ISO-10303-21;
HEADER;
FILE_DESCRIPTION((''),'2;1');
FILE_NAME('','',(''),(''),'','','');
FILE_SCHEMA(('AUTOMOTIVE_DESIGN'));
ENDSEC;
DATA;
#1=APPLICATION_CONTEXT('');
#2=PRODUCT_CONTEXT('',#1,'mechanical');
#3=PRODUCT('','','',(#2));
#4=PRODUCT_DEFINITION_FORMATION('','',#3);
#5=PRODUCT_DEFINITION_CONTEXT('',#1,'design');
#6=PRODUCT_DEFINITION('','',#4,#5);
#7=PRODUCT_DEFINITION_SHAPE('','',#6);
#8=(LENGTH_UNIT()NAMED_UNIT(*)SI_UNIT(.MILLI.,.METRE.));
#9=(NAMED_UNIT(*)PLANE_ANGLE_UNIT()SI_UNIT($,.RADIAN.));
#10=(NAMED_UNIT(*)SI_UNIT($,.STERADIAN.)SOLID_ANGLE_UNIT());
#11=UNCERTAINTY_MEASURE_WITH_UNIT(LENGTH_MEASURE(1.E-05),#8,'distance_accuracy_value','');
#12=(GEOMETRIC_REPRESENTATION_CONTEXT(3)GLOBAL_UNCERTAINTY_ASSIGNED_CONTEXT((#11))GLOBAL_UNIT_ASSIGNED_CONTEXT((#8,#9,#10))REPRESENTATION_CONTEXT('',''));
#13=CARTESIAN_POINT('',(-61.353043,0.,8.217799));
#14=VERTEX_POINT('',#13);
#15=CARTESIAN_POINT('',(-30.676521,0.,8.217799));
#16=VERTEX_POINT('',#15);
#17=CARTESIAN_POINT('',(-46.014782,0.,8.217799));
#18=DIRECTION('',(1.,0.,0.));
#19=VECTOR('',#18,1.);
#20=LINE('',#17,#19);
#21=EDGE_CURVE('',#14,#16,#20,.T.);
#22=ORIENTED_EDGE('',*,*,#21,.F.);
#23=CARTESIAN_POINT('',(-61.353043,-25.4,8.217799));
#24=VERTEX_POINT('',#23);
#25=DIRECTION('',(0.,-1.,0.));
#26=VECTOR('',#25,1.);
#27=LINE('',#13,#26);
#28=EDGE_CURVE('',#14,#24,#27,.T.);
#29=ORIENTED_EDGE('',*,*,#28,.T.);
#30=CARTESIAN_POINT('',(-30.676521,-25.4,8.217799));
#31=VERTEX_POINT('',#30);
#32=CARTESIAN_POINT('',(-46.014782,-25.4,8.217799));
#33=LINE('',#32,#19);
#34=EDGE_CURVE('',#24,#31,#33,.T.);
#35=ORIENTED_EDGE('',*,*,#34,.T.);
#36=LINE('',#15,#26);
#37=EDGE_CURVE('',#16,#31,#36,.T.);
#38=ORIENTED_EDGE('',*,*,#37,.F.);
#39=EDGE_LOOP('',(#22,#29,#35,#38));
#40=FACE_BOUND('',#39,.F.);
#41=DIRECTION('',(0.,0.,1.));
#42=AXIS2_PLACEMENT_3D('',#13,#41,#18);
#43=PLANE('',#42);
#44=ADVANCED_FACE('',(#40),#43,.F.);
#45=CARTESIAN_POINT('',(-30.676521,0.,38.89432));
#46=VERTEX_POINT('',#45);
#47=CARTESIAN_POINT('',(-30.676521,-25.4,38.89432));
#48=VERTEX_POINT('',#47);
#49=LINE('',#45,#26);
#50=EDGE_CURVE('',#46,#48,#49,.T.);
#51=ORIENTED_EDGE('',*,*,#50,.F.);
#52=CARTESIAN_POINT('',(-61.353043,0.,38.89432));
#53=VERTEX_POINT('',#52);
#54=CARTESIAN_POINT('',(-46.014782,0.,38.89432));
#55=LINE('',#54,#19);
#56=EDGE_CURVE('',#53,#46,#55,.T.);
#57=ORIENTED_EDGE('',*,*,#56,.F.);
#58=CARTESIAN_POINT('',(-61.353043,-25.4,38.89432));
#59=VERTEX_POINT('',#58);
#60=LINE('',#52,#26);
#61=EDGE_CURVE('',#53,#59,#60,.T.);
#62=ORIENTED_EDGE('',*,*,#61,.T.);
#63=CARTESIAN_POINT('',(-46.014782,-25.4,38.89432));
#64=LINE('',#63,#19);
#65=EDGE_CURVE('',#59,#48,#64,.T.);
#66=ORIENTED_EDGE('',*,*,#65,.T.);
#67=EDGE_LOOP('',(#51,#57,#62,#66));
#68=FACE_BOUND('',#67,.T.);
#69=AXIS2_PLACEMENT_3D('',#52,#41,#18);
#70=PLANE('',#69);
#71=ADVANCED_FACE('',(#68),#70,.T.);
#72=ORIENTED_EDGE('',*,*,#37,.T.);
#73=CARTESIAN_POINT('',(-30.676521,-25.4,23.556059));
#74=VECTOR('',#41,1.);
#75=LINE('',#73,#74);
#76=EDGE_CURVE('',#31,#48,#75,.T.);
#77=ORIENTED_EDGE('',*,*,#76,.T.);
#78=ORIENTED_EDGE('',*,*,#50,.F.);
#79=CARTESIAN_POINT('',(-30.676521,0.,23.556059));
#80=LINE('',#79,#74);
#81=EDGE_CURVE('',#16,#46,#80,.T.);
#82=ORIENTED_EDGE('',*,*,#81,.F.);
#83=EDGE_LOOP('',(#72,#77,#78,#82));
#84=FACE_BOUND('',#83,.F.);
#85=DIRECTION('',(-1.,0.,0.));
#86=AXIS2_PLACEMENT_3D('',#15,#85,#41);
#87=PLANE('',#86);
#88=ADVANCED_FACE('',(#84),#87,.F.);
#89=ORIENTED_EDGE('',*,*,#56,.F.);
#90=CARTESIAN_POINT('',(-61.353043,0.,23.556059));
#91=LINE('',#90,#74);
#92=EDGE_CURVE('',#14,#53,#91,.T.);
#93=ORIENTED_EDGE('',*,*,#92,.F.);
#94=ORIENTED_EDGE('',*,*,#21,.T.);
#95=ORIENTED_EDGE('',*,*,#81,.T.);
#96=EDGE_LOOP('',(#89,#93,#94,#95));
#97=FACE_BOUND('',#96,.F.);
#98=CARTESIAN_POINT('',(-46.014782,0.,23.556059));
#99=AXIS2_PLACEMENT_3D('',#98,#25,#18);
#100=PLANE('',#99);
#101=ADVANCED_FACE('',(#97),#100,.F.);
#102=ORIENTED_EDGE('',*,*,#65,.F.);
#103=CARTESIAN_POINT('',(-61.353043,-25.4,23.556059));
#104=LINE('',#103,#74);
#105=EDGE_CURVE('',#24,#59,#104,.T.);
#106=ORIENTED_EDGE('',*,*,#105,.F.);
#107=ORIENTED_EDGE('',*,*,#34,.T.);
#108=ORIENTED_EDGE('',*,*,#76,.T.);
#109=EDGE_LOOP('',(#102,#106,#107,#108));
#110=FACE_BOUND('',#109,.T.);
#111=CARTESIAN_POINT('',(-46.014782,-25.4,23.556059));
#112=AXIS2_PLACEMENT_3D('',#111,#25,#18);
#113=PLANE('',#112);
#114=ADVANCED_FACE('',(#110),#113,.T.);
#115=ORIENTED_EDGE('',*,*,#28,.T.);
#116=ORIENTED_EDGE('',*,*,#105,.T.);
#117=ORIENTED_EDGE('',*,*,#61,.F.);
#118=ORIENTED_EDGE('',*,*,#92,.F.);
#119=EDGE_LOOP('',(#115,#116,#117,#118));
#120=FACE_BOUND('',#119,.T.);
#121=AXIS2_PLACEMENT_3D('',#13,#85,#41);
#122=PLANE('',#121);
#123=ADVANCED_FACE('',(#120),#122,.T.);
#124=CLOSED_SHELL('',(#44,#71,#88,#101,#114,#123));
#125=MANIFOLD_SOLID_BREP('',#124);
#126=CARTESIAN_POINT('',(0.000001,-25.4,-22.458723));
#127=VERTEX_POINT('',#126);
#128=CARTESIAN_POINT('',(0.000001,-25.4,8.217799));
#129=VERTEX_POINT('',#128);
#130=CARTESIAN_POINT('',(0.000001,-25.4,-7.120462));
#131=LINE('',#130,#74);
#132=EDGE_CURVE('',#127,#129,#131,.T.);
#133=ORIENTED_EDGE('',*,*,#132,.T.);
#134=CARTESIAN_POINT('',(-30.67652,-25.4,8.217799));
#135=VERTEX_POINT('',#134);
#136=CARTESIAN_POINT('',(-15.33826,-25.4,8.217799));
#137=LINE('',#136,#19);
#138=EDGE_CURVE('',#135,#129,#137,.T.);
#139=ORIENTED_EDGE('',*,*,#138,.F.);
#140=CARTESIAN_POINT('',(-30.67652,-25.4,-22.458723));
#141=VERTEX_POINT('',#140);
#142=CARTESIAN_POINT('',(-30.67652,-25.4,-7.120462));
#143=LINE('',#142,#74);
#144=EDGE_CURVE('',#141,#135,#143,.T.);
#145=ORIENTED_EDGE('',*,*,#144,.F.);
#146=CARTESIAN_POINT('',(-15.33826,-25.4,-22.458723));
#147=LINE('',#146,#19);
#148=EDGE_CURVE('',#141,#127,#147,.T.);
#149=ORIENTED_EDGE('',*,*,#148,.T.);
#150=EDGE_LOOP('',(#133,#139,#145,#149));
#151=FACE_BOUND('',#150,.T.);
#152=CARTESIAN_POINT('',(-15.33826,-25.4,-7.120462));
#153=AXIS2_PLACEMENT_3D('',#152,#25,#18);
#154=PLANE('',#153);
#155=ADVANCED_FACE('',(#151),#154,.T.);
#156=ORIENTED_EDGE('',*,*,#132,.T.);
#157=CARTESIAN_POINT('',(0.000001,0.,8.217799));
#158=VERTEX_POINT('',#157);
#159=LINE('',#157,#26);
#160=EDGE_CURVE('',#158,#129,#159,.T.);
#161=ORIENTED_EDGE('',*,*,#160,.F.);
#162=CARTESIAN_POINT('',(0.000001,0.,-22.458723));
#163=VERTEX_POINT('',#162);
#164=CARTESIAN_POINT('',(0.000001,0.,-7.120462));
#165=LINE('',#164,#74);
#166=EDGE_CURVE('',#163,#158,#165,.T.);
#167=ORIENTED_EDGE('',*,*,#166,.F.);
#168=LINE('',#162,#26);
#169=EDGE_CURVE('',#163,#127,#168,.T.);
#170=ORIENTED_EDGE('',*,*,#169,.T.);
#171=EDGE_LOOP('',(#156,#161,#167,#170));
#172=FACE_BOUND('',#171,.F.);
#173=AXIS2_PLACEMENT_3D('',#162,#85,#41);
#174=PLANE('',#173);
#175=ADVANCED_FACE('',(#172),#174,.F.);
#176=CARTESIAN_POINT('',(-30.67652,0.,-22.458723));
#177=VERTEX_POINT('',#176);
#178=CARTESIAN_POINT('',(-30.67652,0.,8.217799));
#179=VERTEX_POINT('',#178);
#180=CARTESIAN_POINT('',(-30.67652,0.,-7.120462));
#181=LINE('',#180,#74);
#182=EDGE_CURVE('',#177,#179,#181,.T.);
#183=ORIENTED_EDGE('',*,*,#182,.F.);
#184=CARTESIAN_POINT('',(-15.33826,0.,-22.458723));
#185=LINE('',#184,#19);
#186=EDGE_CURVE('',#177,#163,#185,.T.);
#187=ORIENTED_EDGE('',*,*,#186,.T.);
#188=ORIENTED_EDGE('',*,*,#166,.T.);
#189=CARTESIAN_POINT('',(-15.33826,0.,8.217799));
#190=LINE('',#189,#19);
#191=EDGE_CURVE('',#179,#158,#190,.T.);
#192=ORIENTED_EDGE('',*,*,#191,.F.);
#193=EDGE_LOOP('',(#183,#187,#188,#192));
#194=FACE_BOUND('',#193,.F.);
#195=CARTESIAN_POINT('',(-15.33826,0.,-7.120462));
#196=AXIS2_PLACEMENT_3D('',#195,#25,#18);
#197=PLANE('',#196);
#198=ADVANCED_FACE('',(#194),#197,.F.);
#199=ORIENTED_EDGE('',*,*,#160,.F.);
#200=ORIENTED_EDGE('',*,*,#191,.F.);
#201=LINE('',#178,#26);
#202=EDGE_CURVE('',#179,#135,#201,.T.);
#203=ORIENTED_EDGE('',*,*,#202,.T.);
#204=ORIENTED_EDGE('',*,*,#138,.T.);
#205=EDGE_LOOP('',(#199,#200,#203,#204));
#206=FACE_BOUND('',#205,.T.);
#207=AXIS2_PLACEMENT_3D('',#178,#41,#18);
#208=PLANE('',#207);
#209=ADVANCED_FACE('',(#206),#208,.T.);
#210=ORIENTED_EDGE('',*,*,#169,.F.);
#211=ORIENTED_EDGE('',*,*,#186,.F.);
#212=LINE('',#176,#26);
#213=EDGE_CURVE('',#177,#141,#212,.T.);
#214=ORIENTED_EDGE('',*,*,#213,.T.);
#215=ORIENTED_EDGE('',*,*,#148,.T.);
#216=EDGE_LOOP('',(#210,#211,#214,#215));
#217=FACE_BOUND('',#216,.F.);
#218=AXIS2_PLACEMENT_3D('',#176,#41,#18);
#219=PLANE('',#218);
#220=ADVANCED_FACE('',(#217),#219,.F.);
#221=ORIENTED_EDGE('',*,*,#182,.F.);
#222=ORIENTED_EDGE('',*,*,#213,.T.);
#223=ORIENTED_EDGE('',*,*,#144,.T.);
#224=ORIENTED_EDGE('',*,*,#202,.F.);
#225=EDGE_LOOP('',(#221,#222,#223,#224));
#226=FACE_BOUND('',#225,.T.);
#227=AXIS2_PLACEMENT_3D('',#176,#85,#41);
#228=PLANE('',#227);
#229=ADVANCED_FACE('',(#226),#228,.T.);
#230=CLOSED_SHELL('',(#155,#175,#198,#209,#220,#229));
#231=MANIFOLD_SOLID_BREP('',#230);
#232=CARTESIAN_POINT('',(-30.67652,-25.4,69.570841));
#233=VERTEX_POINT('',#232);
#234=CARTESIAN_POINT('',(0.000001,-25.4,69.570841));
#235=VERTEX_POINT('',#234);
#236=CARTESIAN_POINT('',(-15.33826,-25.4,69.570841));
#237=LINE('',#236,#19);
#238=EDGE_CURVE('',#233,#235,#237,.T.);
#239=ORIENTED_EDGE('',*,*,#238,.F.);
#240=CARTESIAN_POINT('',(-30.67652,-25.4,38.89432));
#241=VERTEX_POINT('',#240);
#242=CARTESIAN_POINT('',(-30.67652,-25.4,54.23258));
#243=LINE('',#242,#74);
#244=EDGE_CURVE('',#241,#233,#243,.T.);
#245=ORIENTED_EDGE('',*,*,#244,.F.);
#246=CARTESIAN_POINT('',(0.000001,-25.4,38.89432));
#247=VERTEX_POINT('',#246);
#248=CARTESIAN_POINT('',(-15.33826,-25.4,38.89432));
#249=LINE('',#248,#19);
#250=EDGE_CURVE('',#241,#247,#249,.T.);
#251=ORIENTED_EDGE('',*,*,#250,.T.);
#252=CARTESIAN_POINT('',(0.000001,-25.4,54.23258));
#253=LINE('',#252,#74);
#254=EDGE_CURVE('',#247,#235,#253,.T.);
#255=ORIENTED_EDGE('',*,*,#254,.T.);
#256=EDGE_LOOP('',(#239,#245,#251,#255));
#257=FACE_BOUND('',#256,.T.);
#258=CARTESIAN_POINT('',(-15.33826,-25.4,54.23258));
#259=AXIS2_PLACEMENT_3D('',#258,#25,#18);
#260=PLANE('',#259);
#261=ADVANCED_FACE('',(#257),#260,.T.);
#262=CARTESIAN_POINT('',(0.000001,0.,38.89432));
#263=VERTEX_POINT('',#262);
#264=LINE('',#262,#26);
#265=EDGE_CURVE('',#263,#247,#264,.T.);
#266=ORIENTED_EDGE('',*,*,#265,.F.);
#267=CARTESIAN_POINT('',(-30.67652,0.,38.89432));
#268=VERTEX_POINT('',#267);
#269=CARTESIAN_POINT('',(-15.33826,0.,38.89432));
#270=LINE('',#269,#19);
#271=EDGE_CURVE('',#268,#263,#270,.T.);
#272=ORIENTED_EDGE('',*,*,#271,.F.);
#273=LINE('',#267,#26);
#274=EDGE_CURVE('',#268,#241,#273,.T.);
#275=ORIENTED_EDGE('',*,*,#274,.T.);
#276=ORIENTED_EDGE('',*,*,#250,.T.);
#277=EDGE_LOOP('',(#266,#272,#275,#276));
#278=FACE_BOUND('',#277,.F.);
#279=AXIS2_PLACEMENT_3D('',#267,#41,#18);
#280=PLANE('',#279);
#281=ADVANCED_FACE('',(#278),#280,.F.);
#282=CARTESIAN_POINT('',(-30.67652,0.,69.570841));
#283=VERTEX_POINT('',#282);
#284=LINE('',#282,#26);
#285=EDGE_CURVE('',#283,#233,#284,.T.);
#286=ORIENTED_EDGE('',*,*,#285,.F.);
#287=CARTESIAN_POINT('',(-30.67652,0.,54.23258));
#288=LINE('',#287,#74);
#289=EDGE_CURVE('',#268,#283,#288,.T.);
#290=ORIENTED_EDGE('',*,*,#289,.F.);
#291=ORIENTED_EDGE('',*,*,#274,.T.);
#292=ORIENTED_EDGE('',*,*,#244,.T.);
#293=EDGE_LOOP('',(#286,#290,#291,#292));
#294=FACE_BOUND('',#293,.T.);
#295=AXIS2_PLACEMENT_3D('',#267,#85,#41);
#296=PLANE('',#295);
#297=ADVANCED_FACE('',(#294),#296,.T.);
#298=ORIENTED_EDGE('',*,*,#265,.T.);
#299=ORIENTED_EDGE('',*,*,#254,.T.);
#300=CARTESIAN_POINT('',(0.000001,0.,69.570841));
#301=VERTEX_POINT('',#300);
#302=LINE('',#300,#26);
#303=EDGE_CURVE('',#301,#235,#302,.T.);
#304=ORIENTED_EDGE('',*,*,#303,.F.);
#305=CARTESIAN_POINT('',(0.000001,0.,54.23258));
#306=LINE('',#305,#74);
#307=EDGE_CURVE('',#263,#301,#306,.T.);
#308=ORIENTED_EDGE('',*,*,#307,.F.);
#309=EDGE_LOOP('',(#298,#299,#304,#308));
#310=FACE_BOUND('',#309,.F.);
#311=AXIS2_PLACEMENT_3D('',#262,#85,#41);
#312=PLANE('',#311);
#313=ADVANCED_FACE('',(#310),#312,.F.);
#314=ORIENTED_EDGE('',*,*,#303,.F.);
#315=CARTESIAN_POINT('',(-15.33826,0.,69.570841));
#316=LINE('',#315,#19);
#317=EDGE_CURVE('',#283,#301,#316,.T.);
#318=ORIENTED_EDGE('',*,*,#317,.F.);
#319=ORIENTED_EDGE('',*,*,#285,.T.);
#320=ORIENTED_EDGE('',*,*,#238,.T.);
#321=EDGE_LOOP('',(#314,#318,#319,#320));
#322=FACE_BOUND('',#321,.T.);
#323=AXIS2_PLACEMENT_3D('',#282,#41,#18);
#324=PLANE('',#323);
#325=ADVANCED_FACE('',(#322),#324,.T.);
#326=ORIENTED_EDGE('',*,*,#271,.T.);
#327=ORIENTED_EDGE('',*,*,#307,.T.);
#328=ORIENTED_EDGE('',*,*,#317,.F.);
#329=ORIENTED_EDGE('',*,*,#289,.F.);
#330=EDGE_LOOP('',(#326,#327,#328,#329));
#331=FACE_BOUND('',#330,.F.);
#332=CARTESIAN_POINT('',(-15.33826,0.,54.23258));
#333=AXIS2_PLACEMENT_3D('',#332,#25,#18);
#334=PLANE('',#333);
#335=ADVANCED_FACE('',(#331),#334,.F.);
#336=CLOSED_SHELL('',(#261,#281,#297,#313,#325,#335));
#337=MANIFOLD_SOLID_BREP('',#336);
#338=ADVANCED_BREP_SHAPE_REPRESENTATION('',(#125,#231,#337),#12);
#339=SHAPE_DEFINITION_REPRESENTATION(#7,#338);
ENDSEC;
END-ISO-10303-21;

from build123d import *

# Parameters (mm, degrees)
F0_W     = 30.676522
F0_H     = 30.676521
F0_W_2   = 30.676521
F0_H_2   = 30.676522
F1_DEPTH = 25.4


with BuildPart() as f1:
    # F0 (on Front) → F1 (new body)
    with BuildSketch(Plane.XZ):
        with Locations((-46.014782, 23.556059)):
            Rectangle(F0_W, F0_H)
        with Locations((-15.33826, 54.23258)):
            Rectangle(F0_W_2, F0_H)
        with Locations((-15.33826, -7.120462)):
            Rectangle(F0_W_2, F0_H_2)
    extrude(amount=F1_DEPTH)


solid = f1.part
